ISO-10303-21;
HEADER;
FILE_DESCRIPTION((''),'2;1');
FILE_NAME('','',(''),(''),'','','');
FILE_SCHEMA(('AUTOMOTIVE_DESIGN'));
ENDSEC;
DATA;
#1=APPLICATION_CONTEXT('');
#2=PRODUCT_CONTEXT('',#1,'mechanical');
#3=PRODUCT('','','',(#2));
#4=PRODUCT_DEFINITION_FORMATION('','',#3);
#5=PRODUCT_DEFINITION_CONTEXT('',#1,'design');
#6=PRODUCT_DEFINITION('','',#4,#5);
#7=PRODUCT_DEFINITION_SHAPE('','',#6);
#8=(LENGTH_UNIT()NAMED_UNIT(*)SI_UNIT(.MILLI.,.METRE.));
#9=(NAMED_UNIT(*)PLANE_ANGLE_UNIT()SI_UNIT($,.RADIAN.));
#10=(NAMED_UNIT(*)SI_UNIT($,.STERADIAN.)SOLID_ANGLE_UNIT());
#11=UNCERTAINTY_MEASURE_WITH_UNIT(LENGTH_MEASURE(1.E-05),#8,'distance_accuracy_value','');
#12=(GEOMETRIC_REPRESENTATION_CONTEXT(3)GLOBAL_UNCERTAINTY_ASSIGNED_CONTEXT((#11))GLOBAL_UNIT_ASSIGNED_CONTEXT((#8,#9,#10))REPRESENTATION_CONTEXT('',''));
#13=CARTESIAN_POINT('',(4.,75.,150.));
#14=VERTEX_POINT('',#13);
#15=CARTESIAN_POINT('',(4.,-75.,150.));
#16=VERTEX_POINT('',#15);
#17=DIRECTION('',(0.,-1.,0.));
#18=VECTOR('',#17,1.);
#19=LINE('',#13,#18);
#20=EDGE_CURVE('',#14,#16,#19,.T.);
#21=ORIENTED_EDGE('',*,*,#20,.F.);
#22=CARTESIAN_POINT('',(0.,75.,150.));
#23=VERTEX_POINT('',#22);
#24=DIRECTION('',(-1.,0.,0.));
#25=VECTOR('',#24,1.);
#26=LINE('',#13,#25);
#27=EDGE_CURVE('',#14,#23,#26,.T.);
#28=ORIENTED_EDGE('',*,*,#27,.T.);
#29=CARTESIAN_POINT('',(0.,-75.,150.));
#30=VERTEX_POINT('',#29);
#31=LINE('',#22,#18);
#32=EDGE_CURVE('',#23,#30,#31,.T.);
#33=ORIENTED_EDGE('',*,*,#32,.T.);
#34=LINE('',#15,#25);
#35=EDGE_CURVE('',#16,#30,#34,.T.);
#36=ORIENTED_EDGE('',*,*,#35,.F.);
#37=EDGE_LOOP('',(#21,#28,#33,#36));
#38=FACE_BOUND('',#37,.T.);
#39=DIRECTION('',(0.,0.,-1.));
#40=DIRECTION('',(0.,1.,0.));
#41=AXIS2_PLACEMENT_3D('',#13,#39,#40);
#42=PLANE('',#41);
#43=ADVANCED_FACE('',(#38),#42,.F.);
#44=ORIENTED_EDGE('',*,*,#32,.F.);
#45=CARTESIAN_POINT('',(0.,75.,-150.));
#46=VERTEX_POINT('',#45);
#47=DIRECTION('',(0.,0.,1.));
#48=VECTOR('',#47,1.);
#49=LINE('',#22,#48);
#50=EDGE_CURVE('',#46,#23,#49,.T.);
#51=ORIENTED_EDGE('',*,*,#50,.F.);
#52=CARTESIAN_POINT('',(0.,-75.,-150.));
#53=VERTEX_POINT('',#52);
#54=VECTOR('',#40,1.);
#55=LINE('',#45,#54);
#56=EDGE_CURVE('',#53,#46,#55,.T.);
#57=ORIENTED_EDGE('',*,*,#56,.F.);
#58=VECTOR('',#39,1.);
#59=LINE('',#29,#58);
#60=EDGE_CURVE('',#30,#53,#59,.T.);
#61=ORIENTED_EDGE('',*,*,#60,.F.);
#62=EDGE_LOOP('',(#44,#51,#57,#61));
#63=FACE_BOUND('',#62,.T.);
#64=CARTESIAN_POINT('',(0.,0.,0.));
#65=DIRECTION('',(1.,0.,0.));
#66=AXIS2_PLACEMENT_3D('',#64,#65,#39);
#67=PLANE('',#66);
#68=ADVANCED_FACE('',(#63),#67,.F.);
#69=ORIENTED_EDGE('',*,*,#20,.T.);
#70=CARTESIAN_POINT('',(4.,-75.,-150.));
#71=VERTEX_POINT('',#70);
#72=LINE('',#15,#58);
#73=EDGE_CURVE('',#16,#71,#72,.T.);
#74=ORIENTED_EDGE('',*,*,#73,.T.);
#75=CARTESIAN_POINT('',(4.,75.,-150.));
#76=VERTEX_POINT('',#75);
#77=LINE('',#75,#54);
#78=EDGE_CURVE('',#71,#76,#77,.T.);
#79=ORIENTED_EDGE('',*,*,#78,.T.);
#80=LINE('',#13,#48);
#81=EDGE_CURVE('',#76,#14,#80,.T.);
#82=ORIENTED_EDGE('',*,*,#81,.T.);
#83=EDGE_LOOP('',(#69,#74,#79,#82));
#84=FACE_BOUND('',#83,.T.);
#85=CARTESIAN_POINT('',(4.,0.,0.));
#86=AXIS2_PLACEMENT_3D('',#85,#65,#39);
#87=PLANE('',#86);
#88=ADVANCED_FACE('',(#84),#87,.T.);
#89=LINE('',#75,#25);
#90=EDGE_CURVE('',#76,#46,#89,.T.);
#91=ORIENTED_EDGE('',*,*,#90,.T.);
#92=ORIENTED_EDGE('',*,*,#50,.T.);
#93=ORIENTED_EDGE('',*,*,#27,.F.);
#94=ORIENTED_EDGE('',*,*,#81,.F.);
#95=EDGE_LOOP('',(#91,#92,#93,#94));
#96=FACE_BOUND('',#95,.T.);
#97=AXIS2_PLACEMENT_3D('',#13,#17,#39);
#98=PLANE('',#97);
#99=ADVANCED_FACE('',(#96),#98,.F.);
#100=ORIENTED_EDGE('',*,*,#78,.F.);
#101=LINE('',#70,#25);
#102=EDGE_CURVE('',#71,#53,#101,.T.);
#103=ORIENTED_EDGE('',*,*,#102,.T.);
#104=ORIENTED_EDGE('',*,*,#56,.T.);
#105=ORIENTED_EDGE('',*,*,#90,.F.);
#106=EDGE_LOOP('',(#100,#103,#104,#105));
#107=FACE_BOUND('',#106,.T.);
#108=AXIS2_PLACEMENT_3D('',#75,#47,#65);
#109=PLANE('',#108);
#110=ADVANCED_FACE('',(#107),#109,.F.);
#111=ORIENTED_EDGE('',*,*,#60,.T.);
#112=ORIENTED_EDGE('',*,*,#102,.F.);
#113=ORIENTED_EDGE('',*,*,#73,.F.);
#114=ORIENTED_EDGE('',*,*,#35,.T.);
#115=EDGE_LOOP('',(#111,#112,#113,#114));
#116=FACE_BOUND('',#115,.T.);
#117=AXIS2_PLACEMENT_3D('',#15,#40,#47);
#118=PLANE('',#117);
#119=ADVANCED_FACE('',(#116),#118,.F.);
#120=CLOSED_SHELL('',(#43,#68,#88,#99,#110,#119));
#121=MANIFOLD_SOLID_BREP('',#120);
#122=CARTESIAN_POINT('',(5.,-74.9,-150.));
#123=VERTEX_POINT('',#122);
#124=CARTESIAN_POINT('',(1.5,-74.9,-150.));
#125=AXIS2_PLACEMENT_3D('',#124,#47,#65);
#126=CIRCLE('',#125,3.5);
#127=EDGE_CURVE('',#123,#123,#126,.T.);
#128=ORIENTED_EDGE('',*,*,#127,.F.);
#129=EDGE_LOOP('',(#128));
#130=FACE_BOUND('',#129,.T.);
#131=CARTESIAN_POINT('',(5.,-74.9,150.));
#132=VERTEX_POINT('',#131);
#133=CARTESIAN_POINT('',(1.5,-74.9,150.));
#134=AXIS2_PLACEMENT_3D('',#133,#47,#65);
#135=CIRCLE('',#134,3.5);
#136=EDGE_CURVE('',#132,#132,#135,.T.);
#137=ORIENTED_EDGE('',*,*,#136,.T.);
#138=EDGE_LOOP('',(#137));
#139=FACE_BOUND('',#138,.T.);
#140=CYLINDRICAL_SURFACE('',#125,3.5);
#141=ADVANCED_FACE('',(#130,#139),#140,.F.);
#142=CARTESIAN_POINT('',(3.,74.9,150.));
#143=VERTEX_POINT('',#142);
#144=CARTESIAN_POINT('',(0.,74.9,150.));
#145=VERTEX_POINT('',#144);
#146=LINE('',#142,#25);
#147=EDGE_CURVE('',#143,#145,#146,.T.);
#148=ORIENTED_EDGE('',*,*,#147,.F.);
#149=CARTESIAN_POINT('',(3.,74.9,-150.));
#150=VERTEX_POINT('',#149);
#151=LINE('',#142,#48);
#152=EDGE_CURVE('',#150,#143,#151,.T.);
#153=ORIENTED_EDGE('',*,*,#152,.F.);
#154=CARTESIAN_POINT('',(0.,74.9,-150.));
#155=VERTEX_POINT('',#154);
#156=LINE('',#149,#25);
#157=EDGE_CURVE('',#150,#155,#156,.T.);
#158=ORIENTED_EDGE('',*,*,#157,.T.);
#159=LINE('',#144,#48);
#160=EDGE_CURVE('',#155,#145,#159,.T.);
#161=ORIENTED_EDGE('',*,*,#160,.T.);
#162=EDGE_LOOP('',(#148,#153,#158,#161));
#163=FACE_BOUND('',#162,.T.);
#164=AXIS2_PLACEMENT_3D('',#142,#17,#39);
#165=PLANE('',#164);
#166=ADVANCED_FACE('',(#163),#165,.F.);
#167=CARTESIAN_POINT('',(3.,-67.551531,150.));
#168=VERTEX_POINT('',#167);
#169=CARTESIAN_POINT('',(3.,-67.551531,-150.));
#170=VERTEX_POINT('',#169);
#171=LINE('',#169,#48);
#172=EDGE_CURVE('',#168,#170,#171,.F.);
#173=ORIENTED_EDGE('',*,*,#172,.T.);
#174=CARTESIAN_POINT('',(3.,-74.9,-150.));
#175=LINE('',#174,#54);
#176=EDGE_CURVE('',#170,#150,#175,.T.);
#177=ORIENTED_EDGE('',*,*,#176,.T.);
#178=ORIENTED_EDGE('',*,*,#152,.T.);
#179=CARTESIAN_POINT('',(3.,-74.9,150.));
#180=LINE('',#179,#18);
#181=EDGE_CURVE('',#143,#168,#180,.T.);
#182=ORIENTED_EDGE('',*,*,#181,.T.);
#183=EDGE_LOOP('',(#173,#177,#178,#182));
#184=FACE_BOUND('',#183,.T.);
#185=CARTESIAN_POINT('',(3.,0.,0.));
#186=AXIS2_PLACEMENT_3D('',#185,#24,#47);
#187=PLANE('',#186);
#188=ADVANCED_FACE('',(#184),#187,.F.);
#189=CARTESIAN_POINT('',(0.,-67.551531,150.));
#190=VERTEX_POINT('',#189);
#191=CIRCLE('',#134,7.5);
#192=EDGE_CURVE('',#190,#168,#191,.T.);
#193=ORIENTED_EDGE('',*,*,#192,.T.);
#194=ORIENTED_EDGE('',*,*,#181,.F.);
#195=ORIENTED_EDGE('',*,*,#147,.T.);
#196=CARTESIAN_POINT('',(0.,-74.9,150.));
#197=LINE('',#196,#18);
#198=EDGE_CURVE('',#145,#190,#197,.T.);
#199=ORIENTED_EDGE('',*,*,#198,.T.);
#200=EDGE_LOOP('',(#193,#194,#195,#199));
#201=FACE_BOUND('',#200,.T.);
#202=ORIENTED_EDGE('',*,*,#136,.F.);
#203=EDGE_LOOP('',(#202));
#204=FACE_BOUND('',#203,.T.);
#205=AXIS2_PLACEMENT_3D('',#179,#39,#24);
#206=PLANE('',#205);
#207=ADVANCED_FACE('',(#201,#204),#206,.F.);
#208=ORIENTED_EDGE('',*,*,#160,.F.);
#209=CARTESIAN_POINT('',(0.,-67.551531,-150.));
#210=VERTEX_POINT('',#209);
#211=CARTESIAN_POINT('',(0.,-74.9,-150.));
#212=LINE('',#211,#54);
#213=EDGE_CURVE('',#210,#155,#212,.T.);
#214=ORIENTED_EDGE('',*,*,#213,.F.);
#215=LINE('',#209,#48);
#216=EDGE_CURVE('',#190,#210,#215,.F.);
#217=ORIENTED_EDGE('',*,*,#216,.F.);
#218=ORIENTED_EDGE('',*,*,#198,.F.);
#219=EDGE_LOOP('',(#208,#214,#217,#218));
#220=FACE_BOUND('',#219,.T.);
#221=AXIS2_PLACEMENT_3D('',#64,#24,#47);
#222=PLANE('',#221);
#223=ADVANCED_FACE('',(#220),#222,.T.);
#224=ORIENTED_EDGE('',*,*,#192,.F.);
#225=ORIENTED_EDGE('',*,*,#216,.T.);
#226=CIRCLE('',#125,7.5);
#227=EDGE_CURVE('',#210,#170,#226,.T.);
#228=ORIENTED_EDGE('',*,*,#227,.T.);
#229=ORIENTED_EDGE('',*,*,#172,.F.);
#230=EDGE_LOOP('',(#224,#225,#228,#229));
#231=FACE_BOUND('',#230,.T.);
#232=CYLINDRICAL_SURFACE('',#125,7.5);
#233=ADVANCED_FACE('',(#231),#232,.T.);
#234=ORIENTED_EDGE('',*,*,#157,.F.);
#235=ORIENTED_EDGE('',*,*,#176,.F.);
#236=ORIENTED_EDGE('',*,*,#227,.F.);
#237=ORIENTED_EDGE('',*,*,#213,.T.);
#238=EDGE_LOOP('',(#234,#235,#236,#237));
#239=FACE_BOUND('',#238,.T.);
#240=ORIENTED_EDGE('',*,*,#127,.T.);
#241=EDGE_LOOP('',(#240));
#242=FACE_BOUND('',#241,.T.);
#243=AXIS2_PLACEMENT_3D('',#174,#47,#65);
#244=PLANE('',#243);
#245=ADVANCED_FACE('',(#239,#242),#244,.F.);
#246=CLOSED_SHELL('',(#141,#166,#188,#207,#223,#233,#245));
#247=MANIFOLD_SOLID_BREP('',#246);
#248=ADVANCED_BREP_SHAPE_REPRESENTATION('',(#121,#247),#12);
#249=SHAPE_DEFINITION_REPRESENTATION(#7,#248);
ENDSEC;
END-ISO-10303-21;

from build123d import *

# Parameters (mm, degrees)
SCHIZZO1_W                   = 300
SCHIZZO1_H                   = 149.8
ESTRUSIONE_ESTRUSIONE1_DEPTH = 3
SCHIZZO2_R                   = 7.5
SCHIZZO3_R                   = 3.5
TAGLIO_ESTRUSIONE1_DEPTH     = 312.240678575
SCHIZZO4_W                   = 300
SCHIZZO4_H                   = 150
ESTRUSIONE_ESTRUSIONE2_DEPTH = 4


with BuildPart() as part:
    # Schizzo1 → Estrusione-Estrusione1 (new body)
    with BuildSketch(Plane(origin=(0, 0, 0), x_dir=(0, 0, -1), z_dir=(1, 0, 0))):
        Rectangle(SCHIZZO1_W, SCHIZZO1_H)
    extrude(amount=ESTRUSIONE_ESTRUSIONE1_DEPTH)

    # Sweep1: sweep along a curve in space
    with BuildLine() as sweep1_path:
        Line((3, -74.9, 150), (3, -74.9, -150))
    # Schizzo2 → Sweep1 (sweep)
    with BuildSketch(Plane.XY.offset(150)):
        with Locations((1.5, -74.9)):
            Circle(SCHIZZO2_R)
    sweep(path=sweep1_path.line)

    # Schizzo3 → Taglio-Estrusione1 (cut, through all)
    with BuildSketch(Plane.XY.offset(150)):
        with Locations((1.5, -74.9)):
            Circle(SCHIZZO3_R)
    extrude(amount=-TAGLIO_ESTRUSIONE1_DEPTH, mode=Mode.SUBTRACT)


with BuildPart() as body_2:
    # Schizzo4 → Estrusione-Estrusione2 (new body)
    with BuildSketch(Plane(origin=(0, 0, 0), x_dir=(0, 0, -1), z_dir=(1, 0, 0))):
        Rectangle(SCHIZZO4_W, SCHIZZO4_H)
    extrude(amount=ESTRUSIONE_ESTRUSIONE2_DEPTH)


solid = Compound([part.part, body_2.part])
